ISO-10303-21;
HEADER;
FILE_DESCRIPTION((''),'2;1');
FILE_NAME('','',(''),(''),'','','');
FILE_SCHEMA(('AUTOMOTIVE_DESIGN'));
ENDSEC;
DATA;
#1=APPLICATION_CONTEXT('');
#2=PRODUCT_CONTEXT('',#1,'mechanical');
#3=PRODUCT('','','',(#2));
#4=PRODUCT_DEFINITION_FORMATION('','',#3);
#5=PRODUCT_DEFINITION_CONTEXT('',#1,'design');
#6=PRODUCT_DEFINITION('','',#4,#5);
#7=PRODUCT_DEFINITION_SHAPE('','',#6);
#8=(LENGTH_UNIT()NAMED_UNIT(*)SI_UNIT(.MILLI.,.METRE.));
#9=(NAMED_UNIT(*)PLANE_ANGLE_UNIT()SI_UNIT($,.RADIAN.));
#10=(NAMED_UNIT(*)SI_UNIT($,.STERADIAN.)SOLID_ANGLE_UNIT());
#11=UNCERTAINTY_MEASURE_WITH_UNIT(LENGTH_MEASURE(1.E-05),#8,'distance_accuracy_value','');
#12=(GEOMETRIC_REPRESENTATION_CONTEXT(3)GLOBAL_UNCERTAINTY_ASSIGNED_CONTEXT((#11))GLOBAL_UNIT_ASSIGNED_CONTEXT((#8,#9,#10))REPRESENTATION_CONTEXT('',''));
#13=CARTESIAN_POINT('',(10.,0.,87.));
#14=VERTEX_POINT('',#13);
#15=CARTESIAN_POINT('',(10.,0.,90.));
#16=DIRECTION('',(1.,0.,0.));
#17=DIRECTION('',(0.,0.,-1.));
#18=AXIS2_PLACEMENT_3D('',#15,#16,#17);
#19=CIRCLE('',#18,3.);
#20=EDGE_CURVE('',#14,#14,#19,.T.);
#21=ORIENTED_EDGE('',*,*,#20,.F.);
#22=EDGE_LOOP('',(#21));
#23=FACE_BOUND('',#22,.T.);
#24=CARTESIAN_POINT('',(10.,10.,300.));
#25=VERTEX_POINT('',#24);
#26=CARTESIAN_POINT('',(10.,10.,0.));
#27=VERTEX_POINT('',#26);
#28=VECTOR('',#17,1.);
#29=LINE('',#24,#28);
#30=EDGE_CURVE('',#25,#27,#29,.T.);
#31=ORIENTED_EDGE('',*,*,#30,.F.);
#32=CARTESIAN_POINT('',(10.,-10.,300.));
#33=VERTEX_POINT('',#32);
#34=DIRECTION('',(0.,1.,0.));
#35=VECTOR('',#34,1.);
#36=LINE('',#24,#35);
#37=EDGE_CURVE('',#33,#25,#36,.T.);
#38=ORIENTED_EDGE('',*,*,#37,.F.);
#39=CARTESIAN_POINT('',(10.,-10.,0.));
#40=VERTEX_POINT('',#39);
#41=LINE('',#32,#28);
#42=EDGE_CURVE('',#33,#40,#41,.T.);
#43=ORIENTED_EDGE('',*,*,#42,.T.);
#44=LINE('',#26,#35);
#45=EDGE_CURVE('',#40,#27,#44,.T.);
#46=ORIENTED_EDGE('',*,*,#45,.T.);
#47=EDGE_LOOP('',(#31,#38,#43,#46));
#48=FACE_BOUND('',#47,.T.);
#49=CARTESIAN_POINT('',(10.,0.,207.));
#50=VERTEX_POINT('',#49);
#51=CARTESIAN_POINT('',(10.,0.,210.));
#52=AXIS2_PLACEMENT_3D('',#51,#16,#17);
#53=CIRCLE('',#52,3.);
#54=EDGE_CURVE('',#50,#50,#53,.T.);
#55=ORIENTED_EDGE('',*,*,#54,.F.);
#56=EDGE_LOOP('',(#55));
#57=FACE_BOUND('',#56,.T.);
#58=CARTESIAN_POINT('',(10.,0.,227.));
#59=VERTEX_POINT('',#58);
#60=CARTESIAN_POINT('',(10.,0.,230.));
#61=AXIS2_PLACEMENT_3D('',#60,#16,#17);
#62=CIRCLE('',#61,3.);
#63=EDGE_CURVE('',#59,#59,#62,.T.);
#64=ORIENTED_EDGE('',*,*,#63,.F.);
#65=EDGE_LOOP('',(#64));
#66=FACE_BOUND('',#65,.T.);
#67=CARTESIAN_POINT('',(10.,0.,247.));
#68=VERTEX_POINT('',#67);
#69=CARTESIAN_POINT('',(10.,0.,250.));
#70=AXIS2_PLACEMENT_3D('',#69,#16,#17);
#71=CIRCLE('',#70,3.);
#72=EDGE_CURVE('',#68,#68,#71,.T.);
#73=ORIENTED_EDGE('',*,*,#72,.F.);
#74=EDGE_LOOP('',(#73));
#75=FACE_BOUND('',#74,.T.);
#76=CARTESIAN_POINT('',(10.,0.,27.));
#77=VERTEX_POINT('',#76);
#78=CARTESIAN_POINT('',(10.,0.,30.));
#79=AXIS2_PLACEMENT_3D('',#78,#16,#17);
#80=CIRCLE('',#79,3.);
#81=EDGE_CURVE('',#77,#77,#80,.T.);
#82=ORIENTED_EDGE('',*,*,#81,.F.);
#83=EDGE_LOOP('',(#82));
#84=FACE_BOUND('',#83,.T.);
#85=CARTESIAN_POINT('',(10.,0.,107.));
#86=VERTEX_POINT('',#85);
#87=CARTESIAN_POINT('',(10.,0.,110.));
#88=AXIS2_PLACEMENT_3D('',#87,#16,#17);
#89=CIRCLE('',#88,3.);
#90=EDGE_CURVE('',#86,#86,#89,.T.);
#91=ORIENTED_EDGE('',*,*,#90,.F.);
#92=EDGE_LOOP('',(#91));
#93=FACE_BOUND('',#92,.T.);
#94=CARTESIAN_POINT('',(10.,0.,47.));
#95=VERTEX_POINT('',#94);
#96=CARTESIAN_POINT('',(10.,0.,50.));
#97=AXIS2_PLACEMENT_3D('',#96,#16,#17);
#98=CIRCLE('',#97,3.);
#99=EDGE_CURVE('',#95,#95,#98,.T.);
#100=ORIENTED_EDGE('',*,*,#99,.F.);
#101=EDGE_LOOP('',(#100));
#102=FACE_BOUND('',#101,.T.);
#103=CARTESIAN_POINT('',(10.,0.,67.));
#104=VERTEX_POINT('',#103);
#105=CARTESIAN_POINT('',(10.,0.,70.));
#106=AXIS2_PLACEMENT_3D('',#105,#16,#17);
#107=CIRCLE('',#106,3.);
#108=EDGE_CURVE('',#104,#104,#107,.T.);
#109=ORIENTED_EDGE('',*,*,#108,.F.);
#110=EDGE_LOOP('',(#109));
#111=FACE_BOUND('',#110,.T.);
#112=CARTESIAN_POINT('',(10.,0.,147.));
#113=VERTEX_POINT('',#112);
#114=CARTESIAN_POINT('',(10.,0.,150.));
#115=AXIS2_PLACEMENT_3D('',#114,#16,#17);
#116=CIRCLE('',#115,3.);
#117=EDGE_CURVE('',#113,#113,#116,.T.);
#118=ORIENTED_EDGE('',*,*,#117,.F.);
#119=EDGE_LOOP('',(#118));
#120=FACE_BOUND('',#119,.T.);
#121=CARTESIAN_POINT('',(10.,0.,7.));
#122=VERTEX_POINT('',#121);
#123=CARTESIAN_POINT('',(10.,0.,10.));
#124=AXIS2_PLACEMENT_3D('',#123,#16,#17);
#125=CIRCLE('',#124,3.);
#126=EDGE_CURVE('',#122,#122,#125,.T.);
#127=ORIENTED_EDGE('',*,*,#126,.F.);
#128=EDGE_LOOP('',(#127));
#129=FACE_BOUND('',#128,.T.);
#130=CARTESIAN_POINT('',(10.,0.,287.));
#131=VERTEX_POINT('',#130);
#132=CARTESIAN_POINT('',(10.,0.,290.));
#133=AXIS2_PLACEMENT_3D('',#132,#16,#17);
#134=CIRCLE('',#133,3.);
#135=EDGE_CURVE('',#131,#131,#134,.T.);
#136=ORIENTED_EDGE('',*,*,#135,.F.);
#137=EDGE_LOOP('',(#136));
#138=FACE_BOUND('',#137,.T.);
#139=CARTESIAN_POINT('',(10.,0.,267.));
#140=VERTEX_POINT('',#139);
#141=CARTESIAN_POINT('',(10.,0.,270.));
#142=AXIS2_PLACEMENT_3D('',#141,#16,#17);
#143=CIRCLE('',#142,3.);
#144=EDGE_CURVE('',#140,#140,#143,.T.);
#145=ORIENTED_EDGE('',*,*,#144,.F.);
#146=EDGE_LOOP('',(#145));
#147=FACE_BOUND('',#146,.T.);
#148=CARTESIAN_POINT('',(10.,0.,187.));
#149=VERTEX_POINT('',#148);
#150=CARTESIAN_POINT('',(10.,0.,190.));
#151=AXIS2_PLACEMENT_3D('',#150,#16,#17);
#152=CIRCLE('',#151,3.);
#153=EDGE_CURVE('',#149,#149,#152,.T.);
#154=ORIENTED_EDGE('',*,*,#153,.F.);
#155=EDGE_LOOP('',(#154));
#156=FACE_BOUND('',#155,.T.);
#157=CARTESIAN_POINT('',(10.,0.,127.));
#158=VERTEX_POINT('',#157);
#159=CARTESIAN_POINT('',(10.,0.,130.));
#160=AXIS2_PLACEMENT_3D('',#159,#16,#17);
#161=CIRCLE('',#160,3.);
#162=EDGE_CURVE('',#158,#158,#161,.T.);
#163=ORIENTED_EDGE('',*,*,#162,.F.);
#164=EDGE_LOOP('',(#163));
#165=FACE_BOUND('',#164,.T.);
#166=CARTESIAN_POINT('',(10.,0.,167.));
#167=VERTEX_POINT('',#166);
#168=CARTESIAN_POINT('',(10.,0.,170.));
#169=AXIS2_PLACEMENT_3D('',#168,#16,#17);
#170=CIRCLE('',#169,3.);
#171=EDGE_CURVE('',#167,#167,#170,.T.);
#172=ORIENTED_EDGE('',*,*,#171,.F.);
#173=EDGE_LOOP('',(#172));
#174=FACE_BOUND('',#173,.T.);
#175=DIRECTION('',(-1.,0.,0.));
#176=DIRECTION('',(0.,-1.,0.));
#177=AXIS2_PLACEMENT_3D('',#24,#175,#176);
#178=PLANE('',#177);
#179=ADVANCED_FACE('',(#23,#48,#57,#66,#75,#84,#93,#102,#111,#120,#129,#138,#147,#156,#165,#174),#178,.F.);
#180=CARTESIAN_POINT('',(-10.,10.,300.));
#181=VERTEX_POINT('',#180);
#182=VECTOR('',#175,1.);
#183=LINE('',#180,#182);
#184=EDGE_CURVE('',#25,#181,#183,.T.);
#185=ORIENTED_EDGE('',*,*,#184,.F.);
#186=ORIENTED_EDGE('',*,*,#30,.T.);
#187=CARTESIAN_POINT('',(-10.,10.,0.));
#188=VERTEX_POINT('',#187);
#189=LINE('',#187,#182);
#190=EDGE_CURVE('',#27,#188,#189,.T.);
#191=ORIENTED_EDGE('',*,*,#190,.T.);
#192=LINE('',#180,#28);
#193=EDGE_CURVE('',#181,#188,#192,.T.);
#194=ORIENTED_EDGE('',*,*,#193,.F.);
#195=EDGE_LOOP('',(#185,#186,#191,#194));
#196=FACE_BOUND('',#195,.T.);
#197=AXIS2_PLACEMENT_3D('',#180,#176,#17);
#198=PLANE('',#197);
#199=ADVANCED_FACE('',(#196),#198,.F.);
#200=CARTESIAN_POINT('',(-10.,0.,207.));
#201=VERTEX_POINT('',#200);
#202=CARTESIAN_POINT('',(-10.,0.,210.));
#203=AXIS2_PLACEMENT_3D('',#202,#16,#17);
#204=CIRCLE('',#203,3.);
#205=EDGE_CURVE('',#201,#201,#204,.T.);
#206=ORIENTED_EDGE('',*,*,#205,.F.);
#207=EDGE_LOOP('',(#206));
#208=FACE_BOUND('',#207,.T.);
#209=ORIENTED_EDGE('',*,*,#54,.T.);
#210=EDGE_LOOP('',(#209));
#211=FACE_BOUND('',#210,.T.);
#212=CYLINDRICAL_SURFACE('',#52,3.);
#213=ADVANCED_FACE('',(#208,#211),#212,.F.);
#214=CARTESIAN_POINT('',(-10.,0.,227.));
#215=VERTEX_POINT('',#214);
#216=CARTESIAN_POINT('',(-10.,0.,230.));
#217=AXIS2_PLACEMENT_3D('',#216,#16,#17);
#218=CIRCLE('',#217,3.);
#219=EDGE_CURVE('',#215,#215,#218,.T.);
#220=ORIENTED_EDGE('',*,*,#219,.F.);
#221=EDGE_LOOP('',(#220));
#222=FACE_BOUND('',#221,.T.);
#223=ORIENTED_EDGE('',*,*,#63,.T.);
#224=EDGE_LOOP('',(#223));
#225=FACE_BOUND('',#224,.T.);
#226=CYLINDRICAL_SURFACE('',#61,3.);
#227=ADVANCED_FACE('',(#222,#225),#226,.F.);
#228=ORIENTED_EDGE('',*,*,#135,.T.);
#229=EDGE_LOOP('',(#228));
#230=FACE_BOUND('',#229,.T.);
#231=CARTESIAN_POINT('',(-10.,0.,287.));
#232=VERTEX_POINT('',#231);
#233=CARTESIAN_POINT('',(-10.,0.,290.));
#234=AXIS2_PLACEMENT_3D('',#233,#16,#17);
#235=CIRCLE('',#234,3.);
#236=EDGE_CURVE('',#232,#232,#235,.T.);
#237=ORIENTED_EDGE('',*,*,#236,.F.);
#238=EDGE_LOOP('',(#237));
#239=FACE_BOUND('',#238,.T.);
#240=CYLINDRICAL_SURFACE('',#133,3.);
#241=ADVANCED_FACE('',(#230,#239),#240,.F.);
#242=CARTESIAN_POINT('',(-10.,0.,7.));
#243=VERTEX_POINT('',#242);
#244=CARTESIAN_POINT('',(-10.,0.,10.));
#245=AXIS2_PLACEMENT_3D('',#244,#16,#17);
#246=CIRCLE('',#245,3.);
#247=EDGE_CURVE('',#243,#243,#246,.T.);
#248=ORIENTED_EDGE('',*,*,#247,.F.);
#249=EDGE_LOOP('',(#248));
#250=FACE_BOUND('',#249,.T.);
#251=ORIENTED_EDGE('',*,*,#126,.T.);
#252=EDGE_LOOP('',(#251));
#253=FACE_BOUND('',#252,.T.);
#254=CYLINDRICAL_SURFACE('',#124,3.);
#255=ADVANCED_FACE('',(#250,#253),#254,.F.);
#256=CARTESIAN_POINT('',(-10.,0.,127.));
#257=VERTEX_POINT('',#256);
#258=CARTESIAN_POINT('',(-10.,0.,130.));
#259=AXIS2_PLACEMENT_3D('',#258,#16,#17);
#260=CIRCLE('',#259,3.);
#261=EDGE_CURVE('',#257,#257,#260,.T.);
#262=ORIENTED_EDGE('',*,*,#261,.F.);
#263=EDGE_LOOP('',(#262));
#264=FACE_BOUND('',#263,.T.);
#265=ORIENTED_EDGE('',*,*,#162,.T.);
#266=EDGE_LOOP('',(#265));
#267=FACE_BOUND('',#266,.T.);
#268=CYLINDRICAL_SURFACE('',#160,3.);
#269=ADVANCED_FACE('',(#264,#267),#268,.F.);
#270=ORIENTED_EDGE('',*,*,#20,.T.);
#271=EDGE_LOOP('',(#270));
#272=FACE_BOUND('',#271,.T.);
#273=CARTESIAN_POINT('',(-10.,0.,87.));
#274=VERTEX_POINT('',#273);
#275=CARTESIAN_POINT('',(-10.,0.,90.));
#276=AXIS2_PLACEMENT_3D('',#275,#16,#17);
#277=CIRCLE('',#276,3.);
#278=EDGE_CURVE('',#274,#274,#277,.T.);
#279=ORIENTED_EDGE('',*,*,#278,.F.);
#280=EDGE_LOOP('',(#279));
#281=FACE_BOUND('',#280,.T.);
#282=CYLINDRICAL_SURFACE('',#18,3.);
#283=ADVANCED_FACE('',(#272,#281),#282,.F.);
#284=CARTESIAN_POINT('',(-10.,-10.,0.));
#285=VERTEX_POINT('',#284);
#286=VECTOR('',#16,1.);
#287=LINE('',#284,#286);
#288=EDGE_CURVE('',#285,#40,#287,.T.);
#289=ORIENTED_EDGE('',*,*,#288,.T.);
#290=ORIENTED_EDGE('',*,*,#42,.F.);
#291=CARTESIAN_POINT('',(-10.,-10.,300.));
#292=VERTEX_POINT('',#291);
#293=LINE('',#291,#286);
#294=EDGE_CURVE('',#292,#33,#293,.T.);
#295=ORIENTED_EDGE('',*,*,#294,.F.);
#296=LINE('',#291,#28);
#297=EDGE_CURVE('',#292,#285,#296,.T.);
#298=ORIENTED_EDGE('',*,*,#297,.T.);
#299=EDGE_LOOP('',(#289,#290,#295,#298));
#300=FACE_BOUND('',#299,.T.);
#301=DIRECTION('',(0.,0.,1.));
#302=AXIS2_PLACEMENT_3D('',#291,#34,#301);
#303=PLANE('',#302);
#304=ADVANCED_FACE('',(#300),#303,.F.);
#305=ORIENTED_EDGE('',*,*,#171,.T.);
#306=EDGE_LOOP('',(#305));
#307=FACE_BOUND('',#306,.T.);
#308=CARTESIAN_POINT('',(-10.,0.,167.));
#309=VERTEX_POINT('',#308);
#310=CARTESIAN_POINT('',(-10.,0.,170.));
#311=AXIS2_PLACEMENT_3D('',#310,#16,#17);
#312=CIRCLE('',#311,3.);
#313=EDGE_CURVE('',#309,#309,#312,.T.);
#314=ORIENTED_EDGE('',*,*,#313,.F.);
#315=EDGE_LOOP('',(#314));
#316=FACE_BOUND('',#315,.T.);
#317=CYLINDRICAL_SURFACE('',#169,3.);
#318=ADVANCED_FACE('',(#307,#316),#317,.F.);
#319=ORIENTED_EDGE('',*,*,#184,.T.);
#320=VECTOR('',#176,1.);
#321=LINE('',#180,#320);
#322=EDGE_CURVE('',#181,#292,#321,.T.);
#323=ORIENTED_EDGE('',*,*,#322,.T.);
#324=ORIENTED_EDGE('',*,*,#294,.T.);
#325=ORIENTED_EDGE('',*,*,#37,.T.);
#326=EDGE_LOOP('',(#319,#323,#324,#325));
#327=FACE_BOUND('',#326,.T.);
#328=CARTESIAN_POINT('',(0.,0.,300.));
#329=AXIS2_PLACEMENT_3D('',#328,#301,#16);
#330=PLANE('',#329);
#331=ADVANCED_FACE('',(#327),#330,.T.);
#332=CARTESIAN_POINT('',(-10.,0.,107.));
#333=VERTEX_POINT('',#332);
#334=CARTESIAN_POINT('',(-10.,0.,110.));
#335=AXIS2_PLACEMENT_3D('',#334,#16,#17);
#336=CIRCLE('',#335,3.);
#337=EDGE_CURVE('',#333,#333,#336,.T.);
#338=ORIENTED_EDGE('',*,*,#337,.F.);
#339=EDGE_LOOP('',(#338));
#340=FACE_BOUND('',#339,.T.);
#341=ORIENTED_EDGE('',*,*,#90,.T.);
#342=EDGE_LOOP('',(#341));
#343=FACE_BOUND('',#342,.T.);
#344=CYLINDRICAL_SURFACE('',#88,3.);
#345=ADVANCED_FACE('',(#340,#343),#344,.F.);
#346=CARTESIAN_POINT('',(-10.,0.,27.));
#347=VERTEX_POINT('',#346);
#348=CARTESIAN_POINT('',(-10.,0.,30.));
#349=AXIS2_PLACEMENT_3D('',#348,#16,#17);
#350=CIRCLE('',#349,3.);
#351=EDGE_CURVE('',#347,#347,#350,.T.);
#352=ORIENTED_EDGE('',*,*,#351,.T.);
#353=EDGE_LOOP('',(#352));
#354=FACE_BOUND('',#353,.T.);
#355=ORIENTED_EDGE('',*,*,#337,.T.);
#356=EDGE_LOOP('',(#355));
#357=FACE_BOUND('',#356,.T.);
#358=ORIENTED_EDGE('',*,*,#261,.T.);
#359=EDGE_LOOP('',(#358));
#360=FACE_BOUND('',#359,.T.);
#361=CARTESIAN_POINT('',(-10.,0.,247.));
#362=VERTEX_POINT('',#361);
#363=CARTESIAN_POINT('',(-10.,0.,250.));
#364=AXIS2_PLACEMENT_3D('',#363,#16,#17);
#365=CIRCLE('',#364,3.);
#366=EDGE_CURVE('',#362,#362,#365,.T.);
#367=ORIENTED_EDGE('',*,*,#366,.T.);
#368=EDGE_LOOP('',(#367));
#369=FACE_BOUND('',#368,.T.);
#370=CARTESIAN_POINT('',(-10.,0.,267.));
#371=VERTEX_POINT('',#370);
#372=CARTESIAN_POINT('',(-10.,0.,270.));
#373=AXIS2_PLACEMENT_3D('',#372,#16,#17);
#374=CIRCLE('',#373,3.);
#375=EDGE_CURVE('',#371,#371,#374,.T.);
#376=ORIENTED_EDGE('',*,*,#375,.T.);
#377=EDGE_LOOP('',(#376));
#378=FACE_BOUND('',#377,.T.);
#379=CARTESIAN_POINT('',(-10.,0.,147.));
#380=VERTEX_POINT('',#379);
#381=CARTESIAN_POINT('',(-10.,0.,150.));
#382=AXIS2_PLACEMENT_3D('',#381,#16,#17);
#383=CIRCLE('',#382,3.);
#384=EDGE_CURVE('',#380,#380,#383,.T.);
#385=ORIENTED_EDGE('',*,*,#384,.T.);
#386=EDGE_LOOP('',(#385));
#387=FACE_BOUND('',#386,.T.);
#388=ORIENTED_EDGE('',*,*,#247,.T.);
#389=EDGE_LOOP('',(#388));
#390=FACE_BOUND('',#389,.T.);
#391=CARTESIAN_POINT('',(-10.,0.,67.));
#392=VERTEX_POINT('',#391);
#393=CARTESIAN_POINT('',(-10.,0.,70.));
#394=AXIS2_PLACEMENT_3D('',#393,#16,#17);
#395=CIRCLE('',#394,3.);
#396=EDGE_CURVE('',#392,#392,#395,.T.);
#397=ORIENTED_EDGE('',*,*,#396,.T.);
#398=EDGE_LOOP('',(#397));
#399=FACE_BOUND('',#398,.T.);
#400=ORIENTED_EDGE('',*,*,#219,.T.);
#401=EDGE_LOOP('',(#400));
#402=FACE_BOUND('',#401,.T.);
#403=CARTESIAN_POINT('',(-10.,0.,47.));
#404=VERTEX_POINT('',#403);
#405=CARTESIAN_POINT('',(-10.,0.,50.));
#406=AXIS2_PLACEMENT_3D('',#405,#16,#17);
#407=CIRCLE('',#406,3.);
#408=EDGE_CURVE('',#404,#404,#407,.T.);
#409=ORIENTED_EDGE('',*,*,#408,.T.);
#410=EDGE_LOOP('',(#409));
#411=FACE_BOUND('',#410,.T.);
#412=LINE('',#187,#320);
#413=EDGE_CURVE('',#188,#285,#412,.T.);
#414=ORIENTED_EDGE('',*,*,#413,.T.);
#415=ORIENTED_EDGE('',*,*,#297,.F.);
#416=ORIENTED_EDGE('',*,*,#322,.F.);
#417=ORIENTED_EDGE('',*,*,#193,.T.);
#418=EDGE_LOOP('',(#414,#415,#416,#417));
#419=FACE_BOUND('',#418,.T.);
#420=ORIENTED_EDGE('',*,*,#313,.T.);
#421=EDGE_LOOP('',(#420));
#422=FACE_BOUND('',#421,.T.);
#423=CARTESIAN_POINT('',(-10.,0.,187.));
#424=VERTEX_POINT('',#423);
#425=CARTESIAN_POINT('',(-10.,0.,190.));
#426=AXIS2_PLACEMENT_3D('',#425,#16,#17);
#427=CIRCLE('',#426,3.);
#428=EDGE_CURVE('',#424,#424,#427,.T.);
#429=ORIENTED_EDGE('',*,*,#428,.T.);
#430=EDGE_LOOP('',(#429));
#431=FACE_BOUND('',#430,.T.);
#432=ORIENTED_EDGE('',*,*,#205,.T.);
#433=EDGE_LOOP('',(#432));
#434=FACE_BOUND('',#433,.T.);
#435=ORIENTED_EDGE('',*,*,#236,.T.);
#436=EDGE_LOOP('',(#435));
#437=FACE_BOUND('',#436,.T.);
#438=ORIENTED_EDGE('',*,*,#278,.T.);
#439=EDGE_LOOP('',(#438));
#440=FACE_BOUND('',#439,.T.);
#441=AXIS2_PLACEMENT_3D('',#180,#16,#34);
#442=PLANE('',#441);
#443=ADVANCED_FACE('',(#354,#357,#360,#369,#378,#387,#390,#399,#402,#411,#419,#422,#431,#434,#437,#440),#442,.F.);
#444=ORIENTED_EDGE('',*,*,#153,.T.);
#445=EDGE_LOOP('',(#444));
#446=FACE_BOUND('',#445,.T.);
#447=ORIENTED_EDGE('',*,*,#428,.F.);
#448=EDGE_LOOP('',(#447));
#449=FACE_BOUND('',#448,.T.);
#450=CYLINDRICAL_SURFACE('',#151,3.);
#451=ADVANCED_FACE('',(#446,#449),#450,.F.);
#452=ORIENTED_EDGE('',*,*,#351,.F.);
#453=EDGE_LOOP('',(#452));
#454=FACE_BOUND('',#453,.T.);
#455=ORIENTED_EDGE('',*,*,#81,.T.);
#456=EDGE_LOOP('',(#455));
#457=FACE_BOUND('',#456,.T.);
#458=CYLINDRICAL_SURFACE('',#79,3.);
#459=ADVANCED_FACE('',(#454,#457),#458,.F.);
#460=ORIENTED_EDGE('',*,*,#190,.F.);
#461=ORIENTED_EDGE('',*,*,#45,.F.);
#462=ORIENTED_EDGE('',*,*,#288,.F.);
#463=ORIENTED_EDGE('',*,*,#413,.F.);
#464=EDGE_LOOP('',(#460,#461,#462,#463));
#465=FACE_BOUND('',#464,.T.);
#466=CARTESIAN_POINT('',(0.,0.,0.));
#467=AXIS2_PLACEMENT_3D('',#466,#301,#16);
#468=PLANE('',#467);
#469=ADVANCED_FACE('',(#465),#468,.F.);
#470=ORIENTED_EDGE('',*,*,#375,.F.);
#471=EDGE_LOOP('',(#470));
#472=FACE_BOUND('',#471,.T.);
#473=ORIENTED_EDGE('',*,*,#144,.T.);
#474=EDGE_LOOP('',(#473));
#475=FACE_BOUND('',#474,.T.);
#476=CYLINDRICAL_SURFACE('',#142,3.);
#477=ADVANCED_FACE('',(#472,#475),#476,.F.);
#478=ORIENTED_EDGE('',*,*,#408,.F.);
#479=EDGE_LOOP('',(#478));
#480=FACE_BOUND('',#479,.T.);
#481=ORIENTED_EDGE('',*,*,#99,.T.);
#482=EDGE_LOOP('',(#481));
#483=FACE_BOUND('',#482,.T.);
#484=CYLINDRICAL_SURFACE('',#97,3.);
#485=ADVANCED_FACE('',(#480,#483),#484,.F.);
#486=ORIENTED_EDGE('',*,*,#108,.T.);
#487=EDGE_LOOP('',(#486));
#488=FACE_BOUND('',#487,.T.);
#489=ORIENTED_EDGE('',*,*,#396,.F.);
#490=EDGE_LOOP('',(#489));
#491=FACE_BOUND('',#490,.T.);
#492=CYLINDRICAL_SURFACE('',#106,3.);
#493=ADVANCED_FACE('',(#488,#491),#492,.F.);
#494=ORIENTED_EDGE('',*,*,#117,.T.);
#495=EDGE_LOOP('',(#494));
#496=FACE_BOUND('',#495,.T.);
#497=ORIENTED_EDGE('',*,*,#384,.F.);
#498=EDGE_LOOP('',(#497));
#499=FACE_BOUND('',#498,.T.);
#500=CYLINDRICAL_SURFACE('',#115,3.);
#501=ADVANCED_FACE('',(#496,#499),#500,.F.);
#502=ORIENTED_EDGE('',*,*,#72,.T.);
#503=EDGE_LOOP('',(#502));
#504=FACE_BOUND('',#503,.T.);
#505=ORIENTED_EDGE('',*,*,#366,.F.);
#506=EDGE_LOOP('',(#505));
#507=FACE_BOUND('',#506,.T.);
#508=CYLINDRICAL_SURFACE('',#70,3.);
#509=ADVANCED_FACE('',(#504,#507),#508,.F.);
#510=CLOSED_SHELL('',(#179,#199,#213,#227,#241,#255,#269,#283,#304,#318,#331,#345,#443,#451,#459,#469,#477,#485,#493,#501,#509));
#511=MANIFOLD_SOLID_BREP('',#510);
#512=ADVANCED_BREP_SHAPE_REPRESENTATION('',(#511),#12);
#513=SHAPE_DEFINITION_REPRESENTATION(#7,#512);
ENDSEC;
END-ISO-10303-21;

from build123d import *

# Parameters (mm, degrees)
SKETCH1_W             = 20
SKETCH1_H             = 20
BOSS_EXTRUDE1_DEPTH   = 300
F_6_0MM_DOWEL_HOLE1_D = 6
LPATTERN2_COUNT       = 15
LPATTERN2_PITCH       = 20


with BuildPart() as part:
    # Sketch1 → Boss-Extrude1 (new body)
    with BuildSketch(Plane.XY):
        Rectangle(SKETCH1_W, SKETCH1_H)
    extrude(amount=BOSS_EXTRUDE1_DEPTH)

    # Ø6.0mm Dowel Hole1 (through all)
    with Locations(Plane(origin=(10, 0, 0), x_dir=(0, 0, -1), z_dir=(1, 0, 0))):
        with Locations((-10, 0)):
            f_6_0mm_dowel_hole1 = Hole(F_6_0MM_DOWEL_HOLE1_D / 2)

    # LPattern2: Ø6.0mm Dowel Hole1 ×15
    with Locations(*[(0, 0, i * LPATTERN2_PITCH) for i in range(1, LPATTERN2_COUNT)]):
        add(f_6_0mm_dowel_hole1, mode=Mode.SUBTRACT)


solid = part.part
